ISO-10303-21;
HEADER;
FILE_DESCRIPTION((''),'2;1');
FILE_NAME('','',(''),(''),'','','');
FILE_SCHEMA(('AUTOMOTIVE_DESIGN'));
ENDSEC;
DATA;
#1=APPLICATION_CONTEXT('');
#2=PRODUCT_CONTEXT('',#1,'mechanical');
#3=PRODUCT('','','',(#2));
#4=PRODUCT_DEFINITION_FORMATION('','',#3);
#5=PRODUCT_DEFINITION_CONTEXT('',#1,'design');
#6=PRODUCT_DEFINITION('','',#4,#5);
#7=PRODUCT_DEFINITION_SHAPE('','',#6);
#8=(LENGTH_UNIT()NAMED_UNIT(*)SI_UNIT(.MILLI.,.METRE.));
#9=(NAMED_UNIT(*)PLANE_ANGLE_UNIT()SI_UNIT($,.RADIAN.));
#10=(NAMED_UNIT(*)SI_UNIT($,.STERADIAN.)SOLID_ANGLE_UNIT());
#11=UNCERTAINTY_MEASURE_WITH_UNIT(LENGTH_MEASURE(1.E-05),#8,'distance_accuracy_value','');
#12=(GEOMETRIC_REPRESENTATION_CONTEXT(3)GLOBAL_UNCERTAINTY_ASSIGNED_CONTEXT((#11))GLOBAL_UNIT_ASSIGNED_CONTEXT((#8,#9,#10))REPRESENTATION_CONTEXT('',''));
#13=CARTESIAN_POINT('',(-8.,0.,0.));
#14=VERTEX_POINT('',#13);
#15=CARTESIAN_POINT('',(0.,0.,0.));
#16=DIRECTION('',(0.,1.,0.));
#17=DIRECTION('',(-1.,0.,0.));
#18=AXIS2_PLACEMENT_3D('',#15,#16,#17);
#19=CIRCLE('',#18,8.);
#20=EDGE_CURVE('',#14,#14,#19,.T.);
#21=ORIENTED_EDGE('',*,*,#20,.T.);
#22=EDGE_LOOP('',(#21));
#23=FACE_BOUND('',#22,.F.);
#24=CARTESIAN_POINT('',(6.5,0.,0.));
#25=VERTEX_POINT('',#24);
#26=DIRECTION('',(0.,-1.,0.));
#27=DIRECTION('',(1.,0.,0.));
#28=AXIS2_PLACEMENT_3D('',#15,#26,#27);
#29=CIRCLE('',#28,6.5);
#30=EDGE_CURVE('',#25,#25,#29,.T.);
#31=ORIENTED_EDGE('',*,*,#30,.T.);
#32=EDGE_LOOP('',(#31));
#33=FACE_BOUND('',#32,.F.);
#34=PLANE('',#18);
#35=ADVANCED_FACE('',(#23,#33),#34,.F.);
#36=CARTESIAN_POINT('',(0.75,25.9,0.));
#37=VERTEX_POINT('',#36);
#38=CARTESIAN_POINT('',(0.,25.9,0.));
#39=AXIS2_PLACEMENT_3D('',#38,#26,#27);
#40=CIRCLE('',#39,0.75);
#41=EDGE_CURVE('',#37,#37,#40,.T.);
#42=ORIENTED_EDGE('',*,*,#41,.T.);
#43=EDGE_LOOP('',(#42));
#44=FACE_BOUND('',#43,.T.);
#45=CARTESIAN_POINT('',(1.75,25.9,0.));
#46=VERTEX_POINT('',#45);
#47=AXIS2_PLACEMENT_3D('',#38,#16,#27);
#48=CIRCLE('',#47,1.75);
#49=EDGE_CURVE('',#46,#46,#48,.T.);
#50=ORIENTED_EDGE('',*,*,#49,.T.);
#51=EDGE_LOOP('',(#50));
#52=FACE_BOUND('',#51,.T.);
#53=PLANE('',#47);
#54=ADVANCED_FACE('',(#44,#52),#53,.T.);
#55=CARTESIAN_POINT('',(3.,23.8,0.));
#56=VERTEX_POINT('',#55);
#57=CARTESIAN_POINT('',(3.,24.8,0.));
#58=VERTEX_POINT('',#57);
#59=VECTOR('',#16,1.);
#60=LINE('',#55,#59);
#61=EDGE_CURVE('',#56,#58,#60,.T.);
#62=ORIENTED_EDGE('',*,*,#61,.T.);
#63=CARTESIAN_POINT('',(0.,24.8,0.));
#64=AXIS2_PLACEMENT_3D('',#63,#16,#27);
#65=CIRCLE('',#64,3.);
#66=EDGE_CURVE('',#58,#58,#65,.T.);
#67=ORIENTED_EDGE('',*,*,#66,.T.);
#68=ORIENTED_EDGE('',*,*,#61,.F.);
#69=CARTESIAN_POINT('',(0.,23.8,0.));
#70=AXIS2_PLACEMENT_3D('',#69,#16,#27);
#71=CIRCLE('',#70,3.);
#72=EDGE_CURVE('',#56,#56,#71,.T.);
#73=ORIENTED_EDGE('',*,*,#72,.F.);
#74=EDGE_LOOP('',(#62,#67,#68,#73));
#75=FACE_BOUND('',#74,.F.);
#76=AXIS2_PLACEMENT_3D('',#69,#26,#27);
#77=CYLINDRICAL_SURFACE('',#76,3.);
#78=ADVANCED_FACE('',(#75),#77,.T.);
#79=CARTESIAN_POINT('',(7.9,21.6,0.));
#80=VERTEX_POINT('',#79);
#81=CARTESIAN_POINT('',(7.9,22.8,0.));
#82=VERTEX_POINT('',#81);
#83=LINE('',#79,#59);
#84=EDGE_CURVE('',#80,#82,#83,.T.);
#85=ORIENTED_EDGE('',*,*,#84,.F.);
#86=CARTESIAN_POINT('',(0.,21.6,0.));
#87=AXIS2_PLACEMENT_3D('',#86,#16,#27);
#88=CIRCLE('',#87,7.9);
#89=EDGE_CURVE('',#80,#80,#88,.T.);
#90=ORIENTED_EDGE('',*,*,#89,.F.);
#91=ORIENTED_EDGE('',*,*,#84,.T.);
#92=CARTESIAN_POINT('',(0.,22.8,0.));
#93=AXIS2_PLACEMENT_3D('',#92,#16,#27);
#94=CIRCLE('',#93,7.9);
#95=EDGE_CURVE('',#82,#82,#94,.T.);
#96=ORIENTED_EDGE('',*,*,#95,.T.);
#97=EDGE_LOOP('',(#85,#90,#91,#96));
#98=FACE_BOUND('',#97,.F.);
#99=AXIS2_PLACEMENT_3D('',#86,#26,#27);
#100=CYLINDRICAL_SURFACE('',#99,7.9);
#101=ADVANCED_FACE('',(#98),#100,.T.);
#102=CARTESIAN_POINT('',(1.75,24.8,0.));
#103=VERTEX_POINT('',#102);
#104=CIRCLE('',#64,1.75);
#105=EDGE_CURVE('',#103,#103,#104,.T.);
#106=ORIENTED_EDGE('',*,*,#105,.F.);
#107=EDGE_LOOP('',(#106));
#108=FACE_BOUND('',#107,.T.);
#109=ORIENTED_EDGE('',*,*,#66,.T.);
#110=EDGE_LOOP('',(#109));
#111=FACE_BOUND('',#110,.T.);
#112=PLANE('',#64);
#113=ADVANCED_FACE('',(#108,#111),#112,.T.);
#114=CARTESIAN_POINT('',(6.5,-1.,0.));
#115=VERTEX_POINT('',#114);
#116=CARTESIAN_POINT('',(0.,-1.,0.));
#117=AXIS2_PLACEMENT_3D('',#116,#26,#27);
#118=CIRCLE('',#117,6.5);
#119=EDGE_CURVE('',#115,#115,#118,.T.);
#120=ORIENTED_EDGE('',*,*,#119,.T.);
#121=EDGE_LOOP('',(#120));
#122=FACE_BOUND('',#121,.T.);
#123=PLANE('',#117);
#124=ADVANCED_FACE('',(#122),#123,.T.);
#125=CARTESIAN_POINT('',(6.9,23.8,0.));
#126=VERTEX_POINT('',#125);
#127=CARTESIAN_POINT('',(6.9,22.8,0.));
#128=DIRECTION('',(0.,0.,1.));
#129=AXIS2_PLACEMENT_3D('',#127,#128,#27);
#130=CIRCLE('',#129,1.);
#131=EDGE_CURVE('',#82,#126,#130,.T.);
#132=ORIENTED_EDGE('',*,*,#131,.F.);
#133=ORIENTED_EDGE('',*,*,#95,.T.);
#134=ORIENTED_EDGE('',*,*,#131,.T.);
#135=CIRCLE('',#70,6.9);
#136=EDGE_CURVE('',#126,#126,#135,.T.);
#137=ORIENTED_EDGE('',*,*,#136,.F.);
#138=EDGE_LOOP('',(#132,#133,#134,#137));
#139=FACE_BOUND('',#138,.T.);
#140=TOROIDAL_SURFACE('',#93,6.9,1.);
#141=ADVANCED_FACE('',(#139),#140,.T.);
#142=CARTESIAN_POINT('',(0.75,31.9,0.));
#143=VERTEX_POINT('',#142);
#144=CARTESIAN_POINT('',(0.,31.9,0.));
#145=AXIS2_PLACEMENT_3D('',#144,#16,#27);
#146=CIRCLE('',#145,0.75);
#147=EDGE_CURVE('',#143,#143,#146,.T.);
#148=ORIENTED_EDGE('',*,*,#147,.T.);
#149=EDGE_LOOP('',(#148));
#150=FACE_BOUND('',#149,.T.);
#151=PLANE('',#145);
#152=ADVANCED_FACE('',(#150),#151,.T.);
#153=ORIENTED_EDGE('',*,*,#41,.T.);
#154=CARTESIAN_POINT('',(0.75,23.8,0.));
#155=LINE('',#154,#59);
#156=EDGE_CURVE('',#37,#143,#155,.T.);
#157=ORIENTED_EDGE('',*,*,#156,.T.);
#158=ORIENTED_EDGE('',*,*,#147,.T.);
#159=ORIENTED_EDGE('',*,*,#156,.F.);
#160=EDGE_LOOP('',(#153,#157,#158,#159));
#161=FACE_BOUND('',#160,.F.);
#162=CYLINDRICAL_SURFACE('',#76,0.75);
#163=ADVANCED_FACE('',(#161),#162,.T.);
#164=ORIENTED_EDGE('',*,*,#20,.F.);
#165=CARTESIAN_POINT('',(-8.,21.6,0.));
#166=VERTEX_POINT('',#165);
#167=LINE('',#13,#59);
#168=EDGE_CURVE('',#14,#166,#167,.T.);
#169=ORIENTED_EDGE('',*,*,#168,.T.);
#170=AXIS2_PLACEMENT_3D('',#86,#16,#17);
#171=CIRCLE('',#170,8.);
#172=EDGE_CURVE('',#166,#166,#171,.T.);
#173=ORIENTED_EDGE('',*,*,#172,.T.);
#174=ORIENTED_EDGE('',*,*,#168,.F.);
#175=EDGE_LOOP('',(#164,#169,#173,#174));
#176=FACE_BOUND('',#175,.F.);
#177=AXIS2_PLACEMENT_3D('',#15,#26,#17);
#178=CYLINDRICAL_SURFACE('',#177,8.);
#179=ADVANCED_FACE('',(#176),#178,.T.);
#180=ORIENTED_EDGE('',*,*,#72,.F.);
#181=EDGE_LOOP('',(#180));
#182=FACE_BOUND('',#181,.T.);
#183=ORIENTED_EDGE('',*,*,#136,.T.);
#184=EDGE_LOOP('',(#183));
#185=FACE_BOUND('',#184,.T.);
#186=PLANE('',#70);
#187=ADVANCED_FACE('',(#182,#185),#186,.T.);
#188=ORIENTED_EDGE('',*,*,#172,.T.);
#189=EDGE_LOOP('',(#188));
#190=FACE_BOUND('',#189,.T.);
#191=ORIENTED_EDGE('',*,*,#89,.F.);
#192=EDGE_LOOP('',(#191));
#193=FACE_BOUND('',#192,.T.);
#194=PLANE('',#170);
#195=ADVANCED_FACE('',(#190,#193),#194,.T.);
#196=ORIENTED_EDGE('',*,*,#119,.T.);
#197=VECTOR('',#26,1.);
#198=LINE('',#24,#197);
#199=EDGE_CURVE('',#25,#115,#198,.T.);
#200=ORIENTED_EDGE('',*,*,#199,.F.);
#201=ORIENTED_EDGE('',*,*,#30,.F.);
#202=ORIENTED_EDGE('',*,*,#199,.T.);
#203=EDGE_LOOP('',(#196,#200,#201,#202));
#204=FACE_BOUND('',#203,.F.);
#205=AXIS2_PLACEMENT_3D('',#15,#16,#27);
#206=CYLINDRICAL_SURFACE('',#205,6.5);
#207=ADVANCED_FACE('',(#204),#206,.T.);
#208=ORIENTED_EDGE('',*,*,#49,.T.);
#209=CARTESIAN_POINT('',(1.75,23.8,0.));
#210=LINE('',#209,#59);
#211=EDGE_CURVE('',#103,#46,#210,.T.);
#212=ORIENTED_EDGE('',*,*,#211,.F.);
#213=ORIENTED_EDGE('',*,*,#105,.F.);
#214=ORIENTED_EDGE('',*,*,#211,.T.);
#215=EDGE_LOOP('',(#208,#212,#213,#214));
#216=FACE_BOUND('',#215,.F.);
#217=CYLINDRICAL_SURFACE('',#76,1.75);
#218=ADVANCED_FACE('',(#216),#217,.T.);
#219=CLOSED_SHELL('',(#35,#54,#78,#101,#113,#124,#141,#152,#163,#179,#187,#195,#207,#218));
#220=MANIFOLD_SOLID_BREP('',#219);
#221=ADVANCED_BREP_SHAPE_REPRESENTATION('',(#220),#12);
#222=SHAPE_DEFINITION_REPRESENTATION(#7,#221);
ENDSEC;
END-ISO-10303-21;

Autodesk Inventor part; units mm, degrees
ref_plane "YZ Plane" through (0, 0, 0) normal (1, 0, 0) x (0, 1, 0)
ref_plane "XZ Plane" through (0, 0, 0) normal (0, 1, 0) x (-1, 0, 0)
ref_plane "XY Plane" through (0, 0, 0) normal (0, 0, 1) x (1, 0, 0)
sketch "Boceto1" plane through (0, 0, 0) normal (0, 1, 0) x (-1, 0, 0)
  circle A0 centre (0, 0) radius 8
  dimension "d0" = 16
extrude "Extrusión1" add sketch "Boceto1" along normal blind 21.6
sketch "Boceto2" plane through (0, 21.6, 0) normal (0, 1, 0) x (1, 0, 0)
  circle A0 centre (0, 0) radius 7.9
  dimension "d3" = 15.8
extrude "Extrusión2" add sketch "Boceto2" along normal blind 2.2
fillet "Empalme1" radius 1 1 edges at (-7.9, 23.8, 0)
sketch "Boceto3" plane through (0, 23.8, 0) normal (0, 1, 0) x (1, 0, 0)
  circle A0 centre (0, 0) radius 3
  circle A1 centre (0, 0) radius 1.75
  circle A2 centre (0, 0) radius 0.75
  dimension "d7" = 6
  dimension "d8" = 3.5
  dimension "d13" = 1.5
extrude "Extrusión3" add sketch "Boceto3" along normal blind 1 contours A0
extrude "Extrusión4" add sketch "Boceto3" along normal blind 2.1 contours A1 | A2
extrude "Extrusión5" add sketch "Boceto3" along normal blind 8.1 contours A2
sketch "Boceto4" plane through (0, 0, 0) normal (0, -1, 0) x (1, 0, 0)
  circle A0 centre (0, 0) radius 0.75 projected
  circle A1 centre (0, 0) radius 6.5
  dimension "d16" = 13
extrude "Extrusión6" add sketch "Boceto4" along normal blind 1 contours A0 | A1
properties part number "Motor" material "Acero inoxidable"
